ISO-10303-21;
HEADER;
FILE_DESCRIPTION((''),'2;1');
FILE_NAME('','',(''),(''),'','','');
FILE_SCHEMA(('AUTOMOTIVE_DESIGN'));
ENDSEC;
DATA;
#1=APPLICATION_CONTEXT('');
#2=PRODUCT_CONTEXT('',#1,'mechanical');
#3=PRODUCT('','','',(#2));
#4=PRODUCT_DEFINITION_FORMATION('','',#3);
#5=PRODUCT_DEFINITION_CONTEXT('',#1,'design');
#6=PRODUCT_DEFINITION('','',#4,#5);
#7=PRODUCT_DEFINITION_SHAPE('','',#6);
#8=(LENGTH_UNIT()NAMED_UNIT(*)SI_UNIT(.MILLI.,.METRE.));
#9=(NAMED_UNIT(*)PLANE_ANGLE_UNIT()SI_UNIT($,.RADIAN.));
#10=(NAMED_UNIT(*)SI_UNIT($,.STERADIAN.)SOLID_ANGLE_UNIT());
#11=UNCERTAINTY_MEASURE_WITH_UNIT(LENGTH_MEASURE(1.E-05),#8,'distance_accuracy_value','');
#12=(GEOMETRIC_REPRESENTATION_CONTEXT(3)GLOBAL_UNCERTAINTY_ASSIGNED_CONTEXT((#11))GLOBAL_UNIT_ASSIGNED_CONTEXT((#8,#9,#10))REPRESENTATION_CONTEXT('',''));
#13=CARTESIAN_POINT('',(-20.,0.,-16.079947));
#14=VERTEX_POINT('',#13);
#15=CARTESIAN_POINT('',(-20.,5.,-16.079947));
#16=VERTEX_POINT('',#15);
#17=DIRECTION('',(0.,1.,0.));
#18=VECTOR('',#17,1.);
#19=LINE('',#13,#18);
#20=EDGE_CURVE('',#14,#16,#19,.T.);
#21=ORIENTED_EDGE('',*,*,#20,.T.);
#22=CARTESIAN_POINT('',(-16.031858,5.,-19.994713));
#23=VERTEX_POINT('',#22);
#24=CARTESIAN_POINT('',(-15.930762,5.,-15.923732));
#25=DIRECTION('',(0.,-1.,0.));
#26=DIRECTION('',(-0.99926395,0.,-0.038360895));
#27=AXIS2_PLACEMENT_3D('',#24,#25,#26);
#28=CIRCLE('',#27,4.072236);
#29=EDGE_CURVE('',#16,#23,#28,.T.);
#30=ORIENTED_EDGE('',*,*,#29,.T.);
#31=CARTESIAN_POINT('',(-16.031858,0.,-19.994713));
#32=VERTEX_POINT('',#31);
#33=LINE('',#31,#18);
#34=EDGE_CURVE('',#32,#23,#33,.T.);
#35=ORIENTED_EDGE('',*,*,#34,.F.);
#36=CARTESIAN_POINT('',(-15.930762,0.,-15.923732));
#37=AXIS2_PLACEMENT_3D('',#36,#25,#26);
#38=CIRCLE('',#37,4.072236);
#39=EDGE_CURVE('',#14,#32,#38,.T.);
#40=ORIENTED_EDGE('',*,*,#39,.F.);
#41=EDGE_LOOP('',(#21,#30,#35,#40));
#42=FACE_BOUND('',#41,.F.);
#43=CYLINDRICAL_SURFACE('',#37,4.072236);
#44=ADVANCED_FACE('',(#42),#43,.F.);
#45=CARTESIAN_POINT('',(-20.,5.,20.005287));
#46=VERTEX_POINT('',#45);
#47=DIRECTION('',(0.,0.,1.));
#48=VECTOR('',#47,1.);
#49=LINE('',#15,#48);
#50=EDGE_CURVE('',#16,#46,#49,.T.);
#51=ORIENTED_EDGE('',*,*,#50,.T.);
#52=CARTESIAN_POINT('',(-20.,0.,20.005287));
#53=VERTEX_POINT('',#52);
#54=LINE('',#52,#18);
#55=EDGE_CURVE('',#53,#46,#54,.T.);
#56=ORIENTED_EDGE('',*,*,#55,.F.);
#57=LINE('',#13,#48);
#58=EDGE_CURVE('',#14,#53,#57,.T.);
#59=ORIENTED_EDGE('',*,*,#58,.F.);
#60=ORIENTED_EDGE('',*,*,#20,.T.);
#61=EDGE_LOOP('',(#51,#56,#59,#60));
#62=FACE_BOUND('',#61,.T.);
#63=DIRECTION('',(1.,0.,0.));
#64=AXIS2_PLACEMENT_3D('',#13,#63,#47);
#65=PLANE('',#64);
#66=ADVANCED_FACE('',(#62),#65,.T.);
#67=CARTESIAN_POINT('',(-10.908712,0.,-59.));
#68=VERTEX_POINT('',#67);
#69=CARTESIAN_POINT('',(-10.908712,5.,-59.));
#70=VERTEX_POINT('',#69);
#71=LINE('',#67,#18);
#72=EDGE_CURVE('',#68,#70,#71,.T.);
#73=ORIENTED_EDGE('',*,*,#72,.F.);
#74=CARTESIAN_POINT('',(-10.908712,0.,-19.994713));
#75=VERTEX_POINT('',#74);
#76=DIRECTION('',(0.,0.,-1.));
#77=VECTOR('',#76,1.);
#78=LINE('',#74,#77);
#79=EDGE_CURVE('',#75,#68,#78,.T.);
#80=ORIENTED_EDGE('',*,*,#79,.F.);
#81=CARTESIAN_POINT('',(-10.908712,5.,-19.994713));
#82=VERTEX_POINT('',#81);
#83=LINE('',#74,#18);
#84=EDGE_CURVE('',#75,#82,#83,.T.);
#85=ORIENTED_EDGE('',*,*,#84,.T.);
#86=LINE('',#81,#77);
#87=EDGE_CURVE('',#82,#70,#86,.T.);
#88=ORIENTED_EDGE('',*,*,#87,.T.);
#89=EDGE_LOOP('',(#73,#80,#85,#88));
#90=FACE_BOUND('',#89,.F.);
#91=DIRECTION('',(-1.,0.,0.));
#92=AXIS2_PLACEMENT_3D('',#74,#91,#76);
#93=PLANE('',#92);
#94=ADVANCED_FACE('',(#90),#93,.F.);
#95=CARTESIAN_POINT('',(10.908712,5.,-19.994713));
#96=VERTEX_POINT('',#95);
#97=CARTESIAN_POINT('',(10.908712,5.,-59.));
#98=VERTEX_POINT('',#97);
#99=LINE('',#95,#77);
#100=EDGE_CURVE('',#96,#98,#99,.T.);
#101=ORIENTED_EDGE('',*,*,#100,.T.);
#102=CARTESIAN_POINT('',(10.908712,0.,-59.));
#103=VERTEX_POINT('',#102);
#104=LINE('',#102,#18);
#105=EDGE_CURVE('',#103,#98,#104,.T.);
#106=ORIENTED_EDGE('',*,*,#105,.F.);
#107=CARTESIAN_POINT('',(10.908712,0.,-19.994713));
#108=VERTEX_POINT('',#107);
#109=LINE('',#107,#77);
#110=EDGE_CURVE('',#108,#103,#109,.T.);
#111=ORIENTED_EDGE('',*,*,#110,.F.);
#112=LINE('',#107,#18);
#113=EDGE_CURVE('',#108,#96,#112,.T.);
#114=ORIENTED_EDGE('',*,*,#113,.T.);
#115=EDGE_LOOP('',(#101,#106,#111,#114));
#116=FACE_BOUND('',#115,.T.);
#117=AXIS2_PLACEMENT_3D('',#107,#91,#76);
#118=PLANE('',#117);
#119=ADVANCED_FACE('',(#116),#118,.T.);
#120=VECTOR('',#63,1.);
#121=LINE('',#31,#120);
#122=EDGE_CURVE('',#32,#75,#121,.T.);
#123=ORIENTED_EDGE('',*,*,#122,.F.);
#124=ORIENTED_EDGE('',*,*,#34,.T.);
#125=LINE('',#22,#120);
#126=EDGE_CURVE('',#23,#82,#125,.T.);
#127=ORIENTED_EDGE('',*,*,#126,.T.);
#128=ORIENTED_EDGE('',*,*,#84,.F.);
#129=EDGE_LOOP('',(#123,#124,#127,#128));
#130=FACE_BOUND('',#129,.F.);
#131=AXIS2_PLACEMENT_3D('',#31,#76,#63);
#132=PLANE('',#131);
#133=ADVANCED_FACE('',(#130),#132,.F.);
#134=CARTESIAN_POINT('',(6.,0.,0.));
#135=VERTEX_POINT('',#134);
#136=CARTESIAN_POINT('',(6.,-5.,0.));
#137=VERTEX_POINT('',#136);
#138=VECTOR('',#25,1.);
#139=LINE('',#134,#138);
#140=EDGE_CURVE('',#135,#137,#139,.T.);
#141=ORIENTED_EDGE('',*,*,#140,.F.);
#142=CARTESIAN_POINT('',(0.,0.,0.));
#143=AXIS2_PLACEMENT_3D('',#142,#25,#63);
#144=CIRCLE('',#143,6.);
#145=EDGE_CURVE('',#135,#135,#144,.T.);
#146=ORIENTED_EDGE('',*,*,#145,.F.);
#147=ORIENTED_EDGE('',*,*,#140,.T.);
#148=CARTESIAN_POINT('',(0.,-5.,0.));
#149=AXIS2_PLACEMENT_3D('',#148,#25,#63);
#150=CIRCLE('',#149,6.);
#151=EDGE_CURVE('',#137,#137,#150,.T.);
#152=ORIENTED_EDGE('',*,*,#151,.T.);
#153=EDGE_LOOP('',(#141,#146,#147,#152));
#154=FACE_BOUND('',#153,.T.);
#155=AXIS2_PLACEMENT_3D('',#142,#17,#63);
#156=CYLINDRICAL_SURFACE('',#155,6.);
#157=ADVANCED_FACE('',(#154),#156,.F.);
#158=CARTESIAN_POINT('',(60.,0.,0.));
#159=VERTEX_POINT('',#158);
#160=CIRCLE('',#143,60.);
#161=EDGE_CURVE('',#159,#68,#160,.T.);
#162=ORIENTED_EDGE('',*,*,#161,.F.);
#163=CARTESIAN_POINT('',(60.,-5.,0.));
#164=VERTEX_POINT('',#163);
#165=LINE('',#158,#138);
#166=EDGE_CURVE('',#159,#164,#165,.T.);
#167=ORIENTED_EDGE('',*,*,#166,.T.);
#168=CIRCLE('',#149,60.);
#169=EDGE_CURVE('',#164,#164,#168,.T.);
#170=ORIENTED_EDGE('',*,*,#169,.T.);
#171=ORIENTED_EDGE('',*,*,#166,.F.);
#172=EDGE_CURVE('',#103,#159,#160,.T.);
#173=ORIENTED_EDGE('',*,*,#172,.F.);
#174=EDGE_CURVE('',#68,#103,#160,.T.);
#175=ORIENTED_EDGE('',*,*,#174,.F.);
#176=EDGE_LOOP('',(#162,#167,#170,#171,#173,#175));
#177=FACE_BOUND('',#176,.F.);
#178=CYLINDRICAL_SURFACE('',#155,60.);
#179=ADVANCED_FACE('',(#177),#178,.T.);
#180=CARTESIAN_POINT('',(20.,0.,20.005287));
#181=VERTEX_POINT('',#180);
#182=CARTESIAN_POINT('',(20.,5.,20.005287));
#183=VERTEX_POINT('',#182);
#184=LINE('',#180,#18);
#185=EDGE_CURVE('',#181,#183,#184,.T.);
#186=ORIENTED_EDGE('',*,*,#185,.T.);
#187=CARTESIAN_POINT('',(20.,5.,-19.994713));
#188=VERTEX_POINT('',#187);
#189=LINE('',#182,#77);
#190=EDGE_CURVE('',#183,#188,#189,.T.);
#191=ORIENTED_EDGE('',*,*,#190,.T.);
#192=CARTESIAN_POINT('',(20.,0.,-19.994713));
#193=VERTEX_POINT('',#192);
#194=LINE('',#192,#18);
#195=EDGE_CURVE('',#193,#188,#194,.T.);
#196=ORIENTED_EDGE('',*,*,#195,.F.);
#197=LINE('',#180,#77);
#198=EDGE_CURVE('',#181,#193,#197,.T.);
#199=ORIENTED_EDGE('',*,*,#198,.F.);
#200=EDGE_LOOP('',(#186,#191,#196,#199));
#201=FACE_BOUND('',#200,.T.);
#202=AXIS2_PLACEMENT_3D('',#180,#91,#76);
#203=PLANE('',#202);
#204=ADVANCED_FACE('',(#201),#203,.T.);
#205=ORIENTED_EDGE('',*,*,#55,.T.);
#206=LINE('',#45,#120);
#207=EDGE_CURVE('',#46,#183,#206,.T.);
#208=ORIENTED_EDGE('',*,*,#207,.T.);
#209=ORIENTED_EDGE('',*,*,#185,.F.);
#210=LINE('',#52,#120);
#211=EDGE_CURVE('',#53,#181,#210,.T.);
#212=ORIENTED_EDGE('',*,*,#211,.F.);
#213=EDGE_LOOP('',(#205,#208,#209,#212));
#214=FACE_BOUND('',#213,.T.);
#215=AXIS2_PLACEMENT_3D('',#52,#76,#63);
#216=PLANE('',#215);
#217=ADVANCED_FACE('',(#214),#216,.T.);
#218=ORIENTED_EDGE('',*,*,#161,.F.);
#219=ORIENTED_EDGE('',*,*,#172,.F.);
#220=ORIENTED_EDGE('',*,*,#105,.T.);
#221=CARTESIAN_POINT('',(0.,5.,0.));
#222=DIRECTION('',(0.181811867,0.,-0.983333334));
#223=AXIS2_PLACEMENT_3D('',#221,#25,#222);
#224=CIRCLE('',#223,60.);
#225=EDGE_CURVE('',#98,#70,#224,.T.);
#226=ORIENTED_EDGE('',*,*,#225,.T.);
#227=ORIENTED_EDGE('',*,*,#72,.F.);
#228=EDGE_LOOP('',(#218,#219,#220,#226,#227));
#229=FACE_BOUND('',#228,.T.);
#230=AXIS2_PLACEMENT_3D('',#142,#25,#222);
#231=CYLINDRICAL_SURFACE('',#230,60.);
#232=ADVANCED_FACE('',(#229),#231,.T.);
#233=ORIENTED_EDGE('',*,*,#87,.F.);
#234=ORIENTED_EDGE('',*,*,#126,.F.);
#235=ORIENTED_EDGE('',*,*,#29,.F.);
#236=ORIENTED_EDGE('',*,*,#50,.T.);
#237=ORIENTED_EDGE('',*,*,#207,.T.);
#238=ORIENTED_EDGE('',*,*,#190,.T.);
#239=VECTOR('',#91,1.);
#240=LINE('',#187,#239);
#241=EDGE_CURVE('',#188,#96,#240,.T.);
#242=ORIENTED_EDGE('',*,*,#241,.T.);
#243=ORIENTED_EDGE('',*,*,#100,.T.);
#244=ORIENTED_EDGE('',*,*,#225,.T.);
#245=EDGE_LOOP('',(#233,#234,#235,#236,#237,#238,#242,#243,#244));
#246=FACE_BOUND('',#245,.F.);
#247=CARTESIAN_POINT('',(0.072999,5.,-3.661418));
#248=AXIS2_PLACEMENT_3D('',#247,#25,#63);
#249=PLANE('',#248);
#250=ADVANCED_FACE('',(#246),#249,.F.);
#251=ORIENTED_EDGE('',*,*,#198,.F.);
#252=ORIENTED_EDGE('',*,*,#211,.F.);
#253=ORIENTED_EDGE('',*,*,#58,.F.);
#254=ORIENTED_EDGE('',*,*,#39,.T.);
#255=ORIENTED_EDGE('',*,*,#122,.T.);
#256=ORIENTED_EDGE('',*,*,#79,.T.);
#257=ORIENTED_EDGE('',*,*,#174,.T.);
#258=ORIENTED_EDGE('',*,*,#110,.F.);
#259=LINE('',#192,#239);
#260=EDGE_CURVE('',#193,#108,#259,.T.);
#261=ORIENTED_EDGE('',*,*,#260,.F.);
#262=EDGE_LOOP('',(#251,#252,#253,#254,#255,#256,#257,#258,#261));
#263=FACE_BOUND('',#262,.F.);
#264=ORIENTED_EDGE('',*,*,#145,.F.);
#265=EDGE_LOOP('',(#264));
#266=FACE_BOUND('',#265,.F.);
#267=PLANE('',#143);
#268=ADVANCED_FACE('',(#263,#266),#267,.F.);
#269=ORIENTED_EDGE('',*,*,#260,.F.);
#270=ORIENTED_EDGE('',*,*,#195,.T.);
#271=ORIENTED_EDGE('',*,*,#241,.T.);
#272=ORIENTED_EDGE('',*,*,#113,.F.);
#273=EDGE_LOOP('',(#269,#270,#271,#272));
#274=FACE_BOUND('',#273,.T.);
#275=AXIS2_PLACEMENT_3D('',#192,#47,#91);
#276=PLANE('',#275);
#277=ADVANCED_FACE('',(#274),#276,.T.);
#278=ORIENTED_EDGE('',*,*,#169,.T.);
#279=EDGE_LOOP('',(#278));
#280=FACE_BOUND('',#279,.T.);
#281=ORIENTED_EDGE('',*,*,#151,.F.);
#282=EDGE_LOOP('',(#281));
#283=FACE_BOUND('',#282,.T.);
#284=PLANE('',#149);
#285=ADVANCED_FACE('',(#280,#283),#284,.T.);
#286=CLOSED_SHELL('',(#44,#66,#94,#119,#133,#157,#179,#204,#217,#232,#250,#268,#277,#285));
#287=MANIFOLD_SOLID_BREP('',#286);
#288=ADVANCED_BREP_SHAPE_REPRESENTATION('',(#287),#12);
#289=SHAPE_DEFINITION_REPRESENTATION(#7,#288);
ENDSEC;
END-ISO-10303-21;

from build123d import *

# Parameters (mm, degrees)
SKETCH_R     = 60
SKETCH_R_2   = 6
PAD_DEPTH    = 5
PAD001_DEPTH = 5


with BuildPart() as part:
    # Sketch → Pad (new body)
    with BuildSketch(Plane.XZ):
        Circle(SKETCH_R)
        Circle(SKETCH_R_2, mode=Mode.SUBTRACT)
    extrude(amount=PAD_DEPTH)

    # Sketch001 → Pad001 (new body)
    with BuildSketch(Plane.XZ):
        with BuildLine():
            ThreePointArc((10.908712, -59), (0, 60), (-10.908712, -59))
            Line((-10.908712, -19.994713), (-10.908712, -59))
            Line((-16.031858, -19.994713), (-10.908712, -19.994713))
            ThreePointArc((-20, -16.079947), (-18.790704, -18.822669), (-16.031858, -19.994713))
            Line((-20, -16.079947), (-20, 20.005287))
            Line((-20, 20.005287), (20, 20.005287))
            Line((20, 20.005287), (20, -19.994713))
            Line((20, -19.994713), (10.908712, -19.994713))
            Line((10.908712, -19.994713), (10.908712, -59))
        make_face()
    extrude(amount=-PAD001_DEPTH)


solid = part.part
